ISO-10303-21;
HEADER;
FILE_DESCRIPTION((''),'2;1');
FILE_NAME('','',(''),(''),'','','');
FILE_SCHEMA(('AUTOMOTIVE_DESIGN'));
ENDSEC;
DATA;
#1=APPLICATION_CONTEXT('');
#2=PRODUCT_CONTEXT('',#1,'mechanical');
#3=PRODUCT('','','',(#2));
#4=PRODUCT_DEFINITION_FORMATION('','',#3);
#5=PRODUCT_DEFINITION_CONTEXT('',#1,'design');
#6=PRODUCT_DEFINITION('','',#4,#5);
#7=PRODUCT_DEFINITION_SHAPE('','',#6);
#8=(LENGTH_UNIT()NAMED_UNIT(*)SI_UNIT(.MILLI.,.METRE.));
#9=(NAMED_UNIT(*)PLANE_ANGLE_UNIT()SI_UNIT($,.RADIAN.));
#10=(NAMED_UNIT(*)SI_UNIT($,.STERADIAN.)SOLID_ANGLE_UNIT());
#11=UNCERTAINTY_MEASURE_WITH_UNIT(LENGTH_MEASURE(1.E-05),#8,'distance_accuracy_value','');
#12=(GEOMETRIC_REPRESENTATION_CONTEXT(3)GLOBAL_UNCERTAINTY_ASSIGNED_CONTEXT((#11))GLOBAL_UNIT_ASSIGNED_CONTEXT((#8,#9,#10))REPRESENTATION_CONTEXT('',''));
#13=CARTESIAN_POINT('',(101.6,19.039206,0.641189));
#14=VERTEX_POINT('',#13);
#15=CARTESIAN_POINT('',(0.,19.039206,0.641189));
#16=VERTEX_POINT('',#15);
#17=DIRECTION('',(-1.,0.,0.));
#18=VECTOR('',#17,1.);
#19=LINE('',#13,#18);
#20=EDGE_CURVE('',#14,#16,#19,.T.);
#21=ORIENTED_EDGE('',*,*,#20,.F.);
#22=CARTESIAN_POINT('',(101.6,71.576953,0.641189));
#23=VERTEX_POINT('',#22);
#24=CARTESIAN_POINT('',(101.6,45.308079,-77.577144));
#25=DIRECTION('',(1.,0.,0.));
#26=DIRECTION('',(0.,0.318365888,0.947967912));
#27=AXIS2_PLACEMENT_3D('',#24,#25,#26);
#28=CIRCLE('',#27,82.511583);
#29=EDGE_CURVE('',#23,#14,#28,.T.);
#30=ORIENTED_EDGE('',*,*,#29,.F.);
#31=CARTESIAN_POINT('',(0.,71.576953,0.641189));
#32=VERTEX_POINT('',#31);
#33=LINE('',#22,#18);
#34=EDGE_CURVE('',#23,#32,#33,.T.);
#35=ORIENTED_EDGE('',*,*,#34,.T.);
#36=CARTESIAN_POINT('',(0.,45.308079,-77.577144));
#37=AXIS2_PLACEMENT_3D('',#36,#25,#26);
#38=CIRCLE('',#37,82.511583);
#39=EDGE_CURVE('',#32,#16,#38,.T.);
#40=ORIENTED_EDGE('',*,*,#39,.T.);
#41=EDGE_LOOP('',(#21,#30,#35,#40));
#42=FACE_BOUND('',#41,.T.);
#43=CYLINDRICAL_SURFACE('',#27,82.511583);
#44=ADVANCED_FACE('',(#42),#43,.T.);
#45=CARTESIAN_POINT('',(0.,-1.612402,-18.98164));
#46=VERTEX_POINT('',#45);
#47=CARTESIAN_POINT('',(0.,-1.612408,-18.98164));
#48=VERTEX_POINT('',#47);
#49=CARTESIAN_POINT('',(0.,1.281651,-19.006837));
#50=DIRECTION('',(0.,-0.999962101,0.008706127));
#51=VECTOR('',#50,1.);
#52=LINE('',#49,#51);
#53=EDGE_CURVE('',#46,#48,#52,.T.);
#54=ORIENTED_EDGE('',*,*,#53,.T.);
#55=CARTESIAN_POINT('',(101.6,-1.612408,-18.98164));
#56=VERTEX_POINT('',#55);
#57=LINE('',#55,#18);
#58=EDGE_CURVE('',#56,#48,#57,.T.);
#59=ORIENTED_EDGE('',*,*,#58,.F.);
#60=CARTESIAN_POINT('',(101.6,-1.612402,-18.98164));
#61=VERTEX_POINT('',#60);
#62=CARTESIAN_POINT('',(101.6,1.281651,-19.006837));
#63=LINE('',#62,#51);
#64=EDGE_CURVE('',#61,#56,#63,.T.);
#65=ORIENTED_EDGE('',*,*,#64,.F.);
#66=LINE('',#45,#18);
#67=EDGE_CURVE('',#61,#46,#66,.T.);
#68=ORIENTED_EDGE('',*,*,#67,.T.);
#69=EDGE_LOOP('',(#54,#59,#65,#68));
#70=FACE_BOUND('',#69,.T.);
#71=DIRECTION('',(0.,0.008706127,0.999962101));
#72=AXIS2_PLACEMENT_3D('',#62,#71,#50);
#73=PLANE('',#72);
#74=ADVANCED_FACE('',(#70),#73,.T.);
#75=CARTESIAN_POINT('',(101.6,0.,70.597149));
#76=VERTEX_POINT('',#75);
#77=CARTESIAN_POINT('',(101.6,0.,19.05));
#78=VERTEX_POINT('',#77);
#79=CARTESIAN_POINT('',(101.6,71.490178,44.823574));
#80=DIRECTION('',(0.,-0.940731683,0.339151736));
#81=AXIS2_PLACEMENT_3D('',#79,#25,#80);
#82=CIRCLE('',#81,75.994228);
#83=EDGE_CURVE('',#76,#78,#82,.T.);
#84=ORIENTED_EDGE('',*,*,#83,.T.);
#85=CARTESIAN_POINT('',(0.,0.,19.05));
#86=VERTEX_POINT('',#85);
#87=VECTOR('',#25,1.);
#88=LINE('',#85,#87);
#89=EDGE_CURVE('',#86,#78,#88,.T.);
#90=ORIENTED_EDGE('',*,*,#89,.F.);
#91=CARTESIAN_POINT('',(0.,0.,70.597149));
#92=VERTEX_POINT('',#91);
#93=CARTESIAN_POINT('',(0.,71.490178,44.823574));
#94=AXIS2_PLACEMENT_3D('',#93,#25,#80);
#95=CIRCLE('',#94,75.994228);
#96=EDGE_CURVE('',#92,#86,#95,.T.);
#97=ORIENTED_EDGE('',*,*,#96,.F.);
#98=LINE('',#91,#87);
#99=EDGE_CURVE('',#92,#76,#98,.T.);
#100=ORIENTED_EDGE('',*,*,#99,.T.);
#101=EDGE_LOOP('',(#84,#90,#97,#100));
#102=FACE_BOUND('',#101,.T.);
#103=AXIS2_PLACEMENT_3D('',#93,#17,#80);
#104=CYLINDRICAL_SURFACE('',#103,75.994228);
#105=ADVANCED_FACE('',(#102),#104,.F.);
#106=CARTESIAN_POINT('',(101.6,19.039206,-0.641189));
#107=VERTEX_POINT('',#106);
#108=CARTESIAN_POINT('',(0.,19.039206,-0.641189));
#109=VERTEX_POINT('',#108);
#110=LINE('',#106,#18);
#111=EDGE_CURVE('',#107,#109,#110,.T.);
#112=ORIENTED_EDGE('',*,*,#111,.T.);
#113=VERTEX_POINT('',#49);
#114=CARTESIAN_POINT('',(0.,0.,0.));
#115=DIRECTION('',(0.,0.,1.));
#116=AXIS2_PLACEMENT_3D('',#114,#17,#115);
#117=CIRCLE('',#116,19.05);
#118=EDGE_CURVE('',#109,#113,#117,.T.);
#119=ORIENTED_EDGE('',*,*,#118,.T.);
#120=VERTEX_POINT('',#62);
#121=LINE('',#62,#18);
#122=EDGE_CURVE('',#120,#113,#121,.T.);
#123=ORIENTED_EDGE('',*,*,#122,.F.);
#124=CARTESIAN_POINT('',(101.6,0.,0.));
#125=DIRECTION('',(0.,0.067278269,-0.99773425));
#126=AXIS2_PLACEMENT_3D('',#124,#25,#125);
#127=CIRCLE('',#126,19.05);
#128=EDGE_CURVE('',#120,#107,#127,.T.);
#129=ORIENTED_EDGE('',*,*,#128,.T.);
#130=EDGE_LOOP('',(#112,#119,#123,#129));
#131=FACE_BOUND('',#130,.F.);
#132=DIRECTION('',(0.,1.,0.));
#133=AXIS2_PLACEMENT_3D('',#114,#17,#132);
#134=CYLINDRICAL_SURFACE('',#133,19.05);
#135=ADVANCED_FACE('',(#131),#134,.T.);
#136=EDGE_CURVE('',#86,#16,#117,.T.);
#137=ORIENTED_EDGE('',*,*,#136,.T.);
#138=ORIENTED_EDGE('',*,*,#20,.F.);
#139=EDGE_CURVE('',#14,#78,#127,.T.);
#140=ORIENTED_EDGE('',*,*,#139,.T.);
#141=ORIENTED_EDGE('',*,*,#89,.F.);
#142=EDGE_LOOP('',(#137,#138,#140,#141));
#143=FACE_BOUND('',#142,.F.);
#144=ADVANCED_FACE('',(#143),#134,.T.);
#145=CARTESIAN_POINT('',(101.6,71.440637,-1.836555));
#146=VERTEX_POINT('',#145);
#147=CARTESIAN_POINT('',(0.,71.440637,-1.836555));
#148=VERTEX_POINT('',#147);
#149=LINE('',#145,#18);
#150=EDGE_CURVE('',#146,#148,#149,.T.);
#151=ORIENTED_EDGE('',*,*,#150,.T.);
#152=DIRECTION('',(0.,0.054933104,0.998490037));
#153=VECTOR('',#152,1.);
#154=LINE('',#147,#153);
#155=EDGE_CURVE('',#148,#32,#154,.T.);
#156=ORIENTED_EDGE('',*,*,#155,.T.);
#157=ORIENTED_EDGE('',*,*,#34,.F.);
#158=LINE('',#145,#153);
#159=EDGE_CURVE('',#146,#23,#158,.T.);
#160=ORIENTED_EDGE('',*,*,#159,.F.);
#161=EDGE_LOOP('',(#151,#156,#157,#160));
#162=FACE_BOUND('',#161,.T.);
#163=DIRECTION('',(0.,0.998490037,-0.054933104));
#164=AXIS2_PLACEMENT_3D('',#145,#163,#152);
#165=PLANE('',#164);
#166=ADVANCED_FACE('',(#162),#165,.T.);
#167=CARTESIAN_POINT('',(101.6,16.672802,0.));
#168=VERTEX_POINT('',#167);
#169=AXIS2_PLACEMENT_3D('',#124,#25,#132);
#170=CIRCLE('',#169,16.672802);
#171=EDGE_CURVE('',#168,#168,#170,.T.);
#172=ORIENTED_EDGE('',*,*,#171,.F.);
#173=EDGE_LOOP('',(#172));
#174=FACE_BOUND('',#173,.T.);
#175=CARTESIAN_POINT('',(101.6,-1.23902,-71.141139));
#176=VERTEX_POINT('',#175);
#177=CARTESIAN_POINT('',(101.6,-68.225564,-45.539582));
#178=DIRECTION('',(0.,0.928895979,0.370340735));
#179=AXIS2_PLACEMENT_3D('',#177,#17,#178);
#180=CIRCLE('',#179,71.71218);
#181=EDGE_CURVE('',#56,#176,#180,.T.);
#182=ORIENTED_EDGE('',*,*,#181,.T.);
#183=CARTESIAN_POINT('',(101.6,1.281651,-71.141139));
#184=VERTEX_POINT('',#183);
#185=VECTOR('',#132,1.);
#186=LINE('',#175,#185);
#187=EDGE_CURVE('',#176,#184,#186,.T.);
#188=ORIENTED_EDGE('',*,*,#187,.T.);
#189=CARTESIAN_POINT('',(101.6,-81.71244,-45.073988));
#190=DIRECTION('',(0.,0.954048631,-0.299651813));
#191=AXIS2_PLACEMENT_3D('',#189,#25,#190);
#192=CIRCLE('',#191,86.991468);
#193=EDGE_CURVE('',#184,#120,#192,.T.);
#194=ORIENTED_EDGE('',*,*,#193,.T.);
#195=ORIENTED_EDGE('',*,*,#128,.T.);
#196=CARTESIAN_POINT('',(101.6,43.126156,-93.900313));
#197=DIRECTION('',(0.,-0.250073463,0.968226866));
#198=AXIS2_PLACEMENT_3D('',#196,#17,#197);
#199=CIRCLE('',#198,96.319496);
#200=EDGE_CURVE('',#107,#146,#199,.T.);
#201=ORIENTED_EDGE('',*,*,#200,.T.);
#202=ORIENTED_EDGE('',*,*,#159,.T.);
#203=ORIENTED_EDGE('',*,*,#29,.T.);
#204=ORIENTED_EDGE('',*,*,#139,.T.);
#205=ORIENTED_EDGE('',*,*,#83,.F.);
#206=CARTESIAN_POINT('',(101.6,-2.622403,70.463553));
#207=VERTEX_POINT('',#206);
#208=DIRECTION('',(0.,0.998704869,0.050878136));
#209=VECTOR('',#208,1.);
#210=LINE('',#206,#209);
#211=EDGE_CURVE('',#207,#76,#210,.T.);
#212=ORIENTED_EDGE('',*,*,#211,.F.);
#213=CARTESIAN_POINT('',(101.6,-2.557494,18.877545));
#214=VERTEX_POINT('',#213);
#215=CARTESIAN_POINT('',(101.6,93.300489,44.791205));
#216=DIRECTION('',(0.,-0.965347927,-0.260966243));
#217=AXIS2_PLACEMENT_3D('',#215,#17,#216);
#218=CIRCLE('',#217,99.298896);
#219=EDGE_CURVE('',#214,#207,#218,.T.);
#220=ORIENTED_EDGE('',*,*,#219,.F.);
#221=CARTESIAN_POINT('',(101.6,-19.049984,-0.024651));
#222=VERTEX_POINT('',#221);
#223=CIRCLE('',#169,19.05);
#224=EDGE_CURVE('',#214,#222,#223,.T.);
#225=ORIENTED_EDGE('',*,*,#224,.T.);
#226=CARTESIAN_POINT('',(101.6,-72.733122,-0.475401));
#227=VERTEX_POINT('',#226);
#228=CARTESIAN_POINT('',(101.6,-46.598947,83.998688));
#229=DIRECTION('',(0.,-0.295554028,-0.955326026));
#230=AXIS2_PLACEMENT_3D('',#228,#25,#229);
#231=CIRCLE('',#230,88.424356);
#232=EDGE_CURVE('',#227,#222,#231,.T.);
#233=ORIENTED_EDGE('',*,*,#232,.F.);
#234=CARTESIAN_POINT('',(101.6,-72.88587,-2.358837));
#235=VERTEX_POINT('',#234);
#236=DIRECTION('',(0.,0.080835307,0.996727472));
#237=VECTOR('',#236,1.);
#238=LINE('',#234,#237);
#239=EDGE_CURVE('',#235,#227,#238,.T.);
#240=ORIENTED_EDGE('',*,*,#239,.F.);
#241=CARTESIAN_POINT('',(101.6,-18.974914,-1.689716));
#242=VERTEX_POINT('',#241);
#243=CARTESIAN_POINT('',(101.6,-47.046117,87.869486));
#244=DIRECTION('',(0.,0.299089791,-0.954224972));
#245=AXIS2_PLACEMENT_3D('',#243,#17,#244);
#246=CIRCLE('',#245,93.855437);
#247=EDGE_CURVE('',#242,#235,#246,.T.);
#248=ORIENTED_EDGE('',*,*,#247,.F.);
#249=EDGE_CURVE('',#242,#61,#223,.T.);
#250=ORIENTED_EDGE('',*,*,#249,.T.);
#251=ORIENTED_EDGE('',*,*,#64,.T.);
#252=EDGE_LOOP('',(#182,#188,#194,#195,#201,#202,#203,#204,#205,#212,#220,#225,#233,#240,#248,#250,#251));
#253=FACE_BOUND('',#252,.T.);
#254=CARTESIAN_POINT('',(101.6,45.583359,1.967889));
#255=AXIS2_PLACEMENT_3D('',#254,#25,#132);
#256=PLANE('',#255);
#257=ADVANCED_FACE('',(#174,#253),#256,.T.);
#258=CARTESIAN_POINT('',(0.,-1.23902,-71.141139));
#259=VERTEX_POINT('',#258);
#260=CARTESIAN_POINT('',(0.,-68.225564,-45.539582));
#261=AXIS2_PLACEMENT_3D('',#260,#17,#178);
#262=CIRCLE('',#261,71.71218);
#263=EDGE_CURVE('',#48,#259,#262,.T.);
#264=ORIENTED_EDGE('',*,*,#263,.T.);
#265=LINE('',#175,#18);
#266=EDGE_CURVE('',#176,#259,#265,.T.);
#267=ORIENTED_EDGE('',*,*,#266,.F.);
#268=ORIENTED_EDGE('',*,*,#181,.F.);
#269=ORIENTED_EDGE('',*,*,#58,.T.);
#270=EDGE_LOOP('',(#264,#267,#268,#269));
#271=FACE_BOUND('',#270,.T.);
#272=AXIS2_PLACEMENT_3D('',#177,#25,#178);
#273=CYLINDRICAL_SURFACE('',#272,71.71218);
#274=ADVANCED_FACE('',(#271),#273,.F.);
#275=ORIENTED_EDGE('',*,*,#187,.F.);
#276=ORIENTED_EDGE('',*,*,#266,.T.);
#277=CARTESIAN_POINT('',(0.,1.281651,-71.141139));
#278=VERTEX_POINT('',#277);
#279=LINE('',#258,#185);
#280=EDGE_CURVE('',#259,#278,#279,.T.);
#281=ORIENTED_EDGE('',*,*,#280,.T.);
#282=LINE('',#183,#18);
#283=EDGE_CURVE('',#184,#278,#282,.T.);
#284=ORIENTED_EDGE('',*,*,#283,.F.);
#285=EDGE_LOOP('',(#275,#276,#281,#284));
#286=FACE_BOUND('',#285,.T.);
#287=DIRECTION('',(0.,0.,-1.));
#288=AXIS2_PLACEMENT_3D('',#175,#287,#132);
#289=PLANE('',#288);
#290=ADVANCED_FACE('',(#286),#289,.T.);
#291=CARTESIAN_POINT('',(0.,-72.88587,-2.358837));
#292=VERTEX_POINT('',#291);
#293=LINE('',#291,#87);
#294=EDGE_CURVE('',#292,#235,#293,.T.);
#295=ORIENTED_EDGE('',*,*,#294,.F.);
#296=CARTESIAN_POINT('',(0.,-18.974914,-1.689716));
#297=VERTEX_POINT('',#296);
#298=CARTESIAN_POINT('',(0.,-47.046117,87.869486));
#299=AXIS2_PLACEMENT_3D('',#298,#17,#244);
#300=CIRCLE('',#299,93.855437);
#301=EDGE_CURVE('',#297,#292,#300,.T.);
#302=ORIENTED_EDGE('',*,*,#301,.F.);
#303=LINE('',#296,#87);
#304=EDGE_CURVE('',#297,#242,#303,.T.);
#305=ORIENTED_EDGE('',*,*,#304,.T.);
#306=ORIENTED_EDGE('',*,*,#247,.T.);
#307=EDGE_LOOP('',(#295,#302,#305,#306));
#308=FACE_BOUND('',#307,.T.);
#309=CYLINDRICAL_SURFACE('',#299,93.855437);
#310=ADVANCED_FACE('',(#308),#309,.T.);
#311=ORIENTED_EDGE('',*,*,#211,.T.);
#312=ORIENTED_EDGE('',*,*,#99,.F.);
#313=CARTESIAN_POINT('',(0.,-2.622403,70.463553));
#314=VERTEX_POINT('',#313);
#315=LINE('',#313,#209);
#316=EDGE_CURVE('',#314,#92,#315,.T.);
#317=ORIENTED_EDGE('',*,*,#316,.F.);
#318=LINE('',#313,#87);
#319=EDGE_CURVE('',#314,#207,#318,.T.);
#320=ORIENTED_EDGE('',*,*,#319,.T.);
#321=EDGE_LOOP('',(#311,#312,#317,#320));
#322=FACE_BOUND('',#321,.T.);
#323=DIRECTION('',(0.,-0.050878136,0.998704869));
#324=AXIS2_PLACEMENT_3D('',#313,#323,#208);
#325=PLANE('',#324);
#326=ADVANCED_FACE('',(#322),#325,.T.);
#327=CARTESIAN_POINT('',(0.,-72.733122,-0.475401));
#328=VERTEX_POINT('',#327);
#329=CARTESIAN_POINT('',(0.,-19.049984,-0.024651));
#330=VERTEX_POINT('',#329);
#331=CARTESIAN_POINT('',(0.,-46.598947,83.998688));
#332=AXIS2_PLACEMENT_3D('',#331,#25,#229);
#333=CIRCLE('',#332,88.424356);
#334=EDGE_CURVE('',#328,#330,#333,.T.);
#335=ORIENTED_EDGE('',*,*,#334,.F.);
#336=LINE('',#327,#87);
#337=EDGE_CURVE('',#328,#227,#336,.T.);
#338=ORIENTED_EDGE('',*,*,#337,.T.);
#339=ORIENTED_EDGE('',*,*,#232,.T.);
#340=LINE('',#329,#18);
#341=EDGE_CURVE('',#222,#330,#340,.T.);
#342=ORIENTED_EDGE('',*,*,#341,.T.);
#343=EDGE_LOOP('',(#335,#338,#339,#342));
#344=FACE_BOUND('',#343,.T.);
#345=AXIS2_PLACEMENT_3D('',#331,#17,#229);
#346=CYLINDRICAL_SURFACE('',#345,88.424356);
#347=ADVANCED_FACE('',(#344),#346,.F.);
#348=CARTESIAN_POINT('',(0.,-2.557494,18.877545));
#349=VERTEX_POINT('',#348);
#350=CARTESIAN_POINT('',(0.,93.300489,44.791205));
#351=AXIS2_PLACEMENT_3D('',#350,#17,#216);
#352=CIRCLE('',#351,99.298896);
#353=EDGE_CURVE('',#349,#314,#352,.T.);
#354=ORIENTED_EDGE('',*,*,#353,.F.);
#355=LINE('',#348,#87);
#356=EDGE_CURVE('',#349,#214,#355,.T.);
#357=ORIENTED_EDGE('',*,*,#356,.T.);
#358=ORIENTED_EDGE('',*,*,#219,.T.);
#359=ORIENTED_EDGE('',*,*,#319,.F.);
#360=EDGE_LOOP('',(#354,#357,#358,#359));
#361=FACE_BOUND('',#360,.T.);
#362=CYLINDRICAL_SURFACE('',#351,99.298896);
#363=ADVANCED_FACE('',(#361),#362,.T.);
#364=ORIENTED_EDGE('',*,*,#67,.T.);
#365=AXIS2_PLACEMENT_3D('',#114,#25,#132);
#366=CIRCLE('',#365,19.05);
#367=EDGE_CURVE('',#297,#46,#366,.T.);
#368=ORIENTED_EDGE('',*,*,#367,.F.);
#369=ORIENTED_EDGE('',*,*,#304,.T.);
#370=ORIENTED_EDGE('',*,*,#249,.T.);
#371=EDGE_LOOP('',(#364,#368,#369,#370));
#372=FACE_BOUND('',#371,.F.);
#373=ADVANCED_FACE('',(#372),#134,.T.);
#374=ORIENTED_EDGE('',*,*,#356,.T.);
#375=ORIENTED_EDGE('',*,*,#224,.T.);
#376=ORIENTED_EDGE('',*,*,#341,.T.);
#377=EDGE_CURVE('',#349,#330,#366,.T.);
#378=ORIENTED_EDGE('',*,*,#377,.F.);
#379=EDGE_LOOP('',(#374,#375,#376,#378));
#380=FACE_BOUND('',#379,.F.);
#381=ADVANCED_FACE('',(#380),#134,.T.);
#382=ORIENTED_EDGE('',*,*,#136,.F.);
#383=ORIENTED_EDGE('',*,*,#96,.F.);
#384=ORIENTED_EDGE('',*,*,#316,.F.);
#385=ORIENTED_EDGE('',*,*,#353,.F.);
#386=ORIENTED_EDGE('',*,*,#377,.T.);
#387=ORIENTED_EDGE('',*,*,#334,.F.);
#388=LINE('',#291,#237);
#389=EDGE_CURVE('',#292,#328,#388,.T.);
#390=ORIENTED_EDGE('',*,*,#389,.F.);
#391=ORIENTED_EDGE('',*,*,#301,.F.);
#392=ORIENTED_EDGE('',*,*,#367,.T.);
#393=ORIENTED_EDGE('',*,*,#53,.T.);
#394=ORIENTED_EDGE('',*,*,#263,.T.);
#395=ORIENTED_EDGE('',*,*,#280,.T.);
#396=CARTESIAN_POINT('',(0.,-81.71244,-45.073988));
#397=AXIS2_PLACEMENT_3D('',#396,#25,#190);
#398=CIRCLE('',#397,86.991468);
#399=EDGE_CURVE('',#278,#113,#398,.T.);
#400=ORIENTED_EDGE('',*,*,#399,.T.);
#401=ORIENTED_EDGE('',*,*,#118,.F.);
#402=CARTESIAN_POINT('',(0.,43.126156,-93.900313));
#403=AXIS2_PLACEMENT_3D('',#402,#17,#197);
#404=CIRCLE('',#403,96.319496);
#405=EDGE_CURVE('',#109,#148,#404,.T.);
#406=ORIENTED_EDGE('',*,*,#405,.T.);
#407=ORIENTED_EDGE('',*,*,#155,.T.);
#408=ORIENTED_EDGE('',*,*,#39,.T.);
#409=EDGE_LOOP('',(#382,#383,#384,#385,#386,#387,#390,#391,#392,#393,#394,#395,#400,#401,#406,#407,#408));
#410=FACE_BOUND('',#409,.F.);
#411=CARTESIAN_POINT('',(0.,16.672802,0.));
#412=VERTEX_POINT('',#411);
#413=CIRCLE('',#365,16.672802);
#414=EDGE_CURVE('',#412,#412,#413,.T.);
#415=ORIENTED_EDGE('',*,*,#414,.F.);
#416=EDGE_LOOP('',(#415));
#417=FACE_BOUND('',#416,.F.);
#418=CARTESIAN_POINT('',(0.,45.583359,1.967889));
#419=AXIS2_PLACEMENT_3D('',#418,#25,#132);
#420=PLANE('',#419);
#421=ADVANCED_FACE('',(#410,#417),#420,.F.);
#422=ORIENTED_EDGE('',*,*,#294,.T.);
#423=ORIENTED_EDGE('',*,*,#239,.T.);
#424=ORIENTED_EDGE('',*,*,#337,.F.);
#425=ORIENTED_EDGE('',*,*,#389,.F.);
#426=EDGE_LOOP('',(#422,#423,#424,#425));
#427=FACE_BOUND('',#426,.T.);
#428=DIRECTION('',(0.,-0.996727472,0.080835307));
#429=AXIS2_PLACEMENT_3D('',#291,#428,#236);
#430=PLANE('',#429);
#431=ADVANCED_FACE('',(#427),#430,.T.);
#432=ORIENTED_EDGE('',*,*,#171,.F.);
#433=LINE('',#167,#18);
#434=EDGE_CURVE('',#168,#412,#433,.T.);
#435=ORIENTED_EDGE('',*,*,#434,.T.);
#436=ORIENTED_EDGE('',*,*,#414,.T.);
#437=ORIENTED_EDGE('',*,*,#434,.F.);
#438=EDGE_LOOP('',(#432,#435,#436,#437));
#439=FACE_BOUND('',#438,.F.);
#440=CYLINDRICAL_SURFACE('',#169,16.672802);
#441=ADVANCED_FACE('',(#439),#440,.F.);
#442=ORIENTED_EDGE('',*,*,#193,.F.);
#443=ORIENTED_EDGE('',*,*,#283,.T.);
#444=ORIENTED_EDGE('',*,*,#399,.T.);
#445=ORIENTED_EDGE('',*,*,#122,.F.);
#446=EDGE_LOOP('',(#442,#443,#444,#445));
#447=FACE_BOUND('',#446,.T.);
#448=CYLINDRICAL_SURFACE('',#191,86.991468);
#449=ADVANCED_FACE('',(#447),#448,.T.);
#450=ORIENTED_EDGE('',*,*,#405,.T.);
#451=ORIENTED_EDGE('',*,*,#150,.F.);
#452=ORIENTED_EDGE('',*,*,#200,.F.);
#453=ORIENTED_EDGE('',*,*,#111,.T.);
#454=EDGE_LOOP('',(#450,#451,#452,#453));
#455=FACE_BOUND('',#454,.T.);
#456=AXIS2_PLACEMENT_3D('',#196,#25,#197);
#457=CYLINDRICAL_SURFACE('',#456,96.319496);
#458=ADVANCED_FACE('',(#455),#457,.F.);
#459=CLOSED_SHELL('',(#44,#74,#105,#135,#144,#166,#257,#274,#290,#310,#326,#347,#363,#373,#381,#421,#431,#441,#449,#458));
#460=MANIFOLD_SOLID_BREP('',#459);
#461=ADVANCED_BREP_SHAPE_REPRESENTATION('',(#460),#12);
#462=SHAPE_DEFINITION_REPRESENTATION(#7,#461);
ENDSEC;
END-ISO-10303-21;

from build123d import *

# Parameters (mm, degrees)
F0_R      = 19.05
F1_DEPTH  = 101.6
F2_R      = 16.672802
F3_DEPTH  = 101.6
F5_DEPTH  = 101.6
F7_DEPTH  = 101.6
F9_DEPTH  = 101.6
F11_DEPTH = 101.6


with BuildPart() as f1:
    # F0 (on Right) → F1 (new body)
    with BuildSketch(Plane.YZ):
        Circle(F0_R)
    extrude(amount=F1_DEPTH)

    # F2 (on face) → F3 (cut)
    with BuildSketch(Plane.YZ.offset(101.6)):
        Circle(F2_R)
    extrude(amount=-F3_DEPTH, mode=Mode.SUBTRACT)

    # F4 (on face) → F5 (join)
    with BuildSketch(Plane(origin=(0, 0, 0), x_dir=(0, -1, 0), z_dir=(-1, 0, 0))):
        with BuildLine():
            Line((0, 19.05), (2.557494, 18.877545))
            ThreePointArc((2.557494, 18.877545), (5.998328, 44.666261), (2.622403, 70.463553))
            Line((2.622403, 70.463553), (0, 70.597149))
            ThreePointArc((0, 70.597149), (4.50405, 44.823575), (0, 19.05))
        make_face()
    extrude(amount=-F5_DEPTH)

    # F6 (on face) → F7 (join)
    with BuildSketch(Plane.YZ.offset(101.6)):
        with BuildLine():
            Line((-1.23902, -71.141139), (1.281651, -71.141139))
            ThreePointArc((1.281651, -71.141139), (5.279028, -45.073988), (1.281651, -19.006837))
            Line((1.281651, -19.006837), (-1.612408, -18.98164))
            ThreePointArc((-1.612408, -18.98164), (3.484779, -45.026237), (-1.23902, -71.141139))
        make_face()
    extrude(amount=-F7_DEPTH)

    # F8 (on face) → F9 (join)
    with BuildSketch(Plane(origin=(0, 0, 0), x_dir=(0, -1, 0), z_dir=(-1, 0, 0))):
        with BuildLine():
            Line((18.974914, 0), (18.974914, -1.689716))
            ThreePointArc((18.974914, -1.689716), (45.881311, -5.978723), (72.88587, -2.358837))
            Line((72.88587, -2.358837), (72.733122, -0.475401))
            ThreePointArc((72.733122, -0.475401), (45.817013, -4.422211), (18.974914, 0))
        make_face()
    extrude(amount=-F9_DEPTH)

    # F10 (on face) → F11 (join)
    with BuildSketch(Plane.YZ.offset(101.6)):
        with BuildLine():
            ThreePointArc((19.039206, -0.641189), (45.322797, 2.394132), (71.440637, -1.836555))
            Line((71.440637, -1.836555), (71.576953, 0.641189))
            ThreePointArc((71.576953, 0.641189), (45.30808, 4.934439), (19.039206, 0.641189))
            Line((19.039206, 0.641189), (19.039206, -0.641189))
        make_face()
    extrude(amount=-F11_DEPTH)


solid = f1.part
